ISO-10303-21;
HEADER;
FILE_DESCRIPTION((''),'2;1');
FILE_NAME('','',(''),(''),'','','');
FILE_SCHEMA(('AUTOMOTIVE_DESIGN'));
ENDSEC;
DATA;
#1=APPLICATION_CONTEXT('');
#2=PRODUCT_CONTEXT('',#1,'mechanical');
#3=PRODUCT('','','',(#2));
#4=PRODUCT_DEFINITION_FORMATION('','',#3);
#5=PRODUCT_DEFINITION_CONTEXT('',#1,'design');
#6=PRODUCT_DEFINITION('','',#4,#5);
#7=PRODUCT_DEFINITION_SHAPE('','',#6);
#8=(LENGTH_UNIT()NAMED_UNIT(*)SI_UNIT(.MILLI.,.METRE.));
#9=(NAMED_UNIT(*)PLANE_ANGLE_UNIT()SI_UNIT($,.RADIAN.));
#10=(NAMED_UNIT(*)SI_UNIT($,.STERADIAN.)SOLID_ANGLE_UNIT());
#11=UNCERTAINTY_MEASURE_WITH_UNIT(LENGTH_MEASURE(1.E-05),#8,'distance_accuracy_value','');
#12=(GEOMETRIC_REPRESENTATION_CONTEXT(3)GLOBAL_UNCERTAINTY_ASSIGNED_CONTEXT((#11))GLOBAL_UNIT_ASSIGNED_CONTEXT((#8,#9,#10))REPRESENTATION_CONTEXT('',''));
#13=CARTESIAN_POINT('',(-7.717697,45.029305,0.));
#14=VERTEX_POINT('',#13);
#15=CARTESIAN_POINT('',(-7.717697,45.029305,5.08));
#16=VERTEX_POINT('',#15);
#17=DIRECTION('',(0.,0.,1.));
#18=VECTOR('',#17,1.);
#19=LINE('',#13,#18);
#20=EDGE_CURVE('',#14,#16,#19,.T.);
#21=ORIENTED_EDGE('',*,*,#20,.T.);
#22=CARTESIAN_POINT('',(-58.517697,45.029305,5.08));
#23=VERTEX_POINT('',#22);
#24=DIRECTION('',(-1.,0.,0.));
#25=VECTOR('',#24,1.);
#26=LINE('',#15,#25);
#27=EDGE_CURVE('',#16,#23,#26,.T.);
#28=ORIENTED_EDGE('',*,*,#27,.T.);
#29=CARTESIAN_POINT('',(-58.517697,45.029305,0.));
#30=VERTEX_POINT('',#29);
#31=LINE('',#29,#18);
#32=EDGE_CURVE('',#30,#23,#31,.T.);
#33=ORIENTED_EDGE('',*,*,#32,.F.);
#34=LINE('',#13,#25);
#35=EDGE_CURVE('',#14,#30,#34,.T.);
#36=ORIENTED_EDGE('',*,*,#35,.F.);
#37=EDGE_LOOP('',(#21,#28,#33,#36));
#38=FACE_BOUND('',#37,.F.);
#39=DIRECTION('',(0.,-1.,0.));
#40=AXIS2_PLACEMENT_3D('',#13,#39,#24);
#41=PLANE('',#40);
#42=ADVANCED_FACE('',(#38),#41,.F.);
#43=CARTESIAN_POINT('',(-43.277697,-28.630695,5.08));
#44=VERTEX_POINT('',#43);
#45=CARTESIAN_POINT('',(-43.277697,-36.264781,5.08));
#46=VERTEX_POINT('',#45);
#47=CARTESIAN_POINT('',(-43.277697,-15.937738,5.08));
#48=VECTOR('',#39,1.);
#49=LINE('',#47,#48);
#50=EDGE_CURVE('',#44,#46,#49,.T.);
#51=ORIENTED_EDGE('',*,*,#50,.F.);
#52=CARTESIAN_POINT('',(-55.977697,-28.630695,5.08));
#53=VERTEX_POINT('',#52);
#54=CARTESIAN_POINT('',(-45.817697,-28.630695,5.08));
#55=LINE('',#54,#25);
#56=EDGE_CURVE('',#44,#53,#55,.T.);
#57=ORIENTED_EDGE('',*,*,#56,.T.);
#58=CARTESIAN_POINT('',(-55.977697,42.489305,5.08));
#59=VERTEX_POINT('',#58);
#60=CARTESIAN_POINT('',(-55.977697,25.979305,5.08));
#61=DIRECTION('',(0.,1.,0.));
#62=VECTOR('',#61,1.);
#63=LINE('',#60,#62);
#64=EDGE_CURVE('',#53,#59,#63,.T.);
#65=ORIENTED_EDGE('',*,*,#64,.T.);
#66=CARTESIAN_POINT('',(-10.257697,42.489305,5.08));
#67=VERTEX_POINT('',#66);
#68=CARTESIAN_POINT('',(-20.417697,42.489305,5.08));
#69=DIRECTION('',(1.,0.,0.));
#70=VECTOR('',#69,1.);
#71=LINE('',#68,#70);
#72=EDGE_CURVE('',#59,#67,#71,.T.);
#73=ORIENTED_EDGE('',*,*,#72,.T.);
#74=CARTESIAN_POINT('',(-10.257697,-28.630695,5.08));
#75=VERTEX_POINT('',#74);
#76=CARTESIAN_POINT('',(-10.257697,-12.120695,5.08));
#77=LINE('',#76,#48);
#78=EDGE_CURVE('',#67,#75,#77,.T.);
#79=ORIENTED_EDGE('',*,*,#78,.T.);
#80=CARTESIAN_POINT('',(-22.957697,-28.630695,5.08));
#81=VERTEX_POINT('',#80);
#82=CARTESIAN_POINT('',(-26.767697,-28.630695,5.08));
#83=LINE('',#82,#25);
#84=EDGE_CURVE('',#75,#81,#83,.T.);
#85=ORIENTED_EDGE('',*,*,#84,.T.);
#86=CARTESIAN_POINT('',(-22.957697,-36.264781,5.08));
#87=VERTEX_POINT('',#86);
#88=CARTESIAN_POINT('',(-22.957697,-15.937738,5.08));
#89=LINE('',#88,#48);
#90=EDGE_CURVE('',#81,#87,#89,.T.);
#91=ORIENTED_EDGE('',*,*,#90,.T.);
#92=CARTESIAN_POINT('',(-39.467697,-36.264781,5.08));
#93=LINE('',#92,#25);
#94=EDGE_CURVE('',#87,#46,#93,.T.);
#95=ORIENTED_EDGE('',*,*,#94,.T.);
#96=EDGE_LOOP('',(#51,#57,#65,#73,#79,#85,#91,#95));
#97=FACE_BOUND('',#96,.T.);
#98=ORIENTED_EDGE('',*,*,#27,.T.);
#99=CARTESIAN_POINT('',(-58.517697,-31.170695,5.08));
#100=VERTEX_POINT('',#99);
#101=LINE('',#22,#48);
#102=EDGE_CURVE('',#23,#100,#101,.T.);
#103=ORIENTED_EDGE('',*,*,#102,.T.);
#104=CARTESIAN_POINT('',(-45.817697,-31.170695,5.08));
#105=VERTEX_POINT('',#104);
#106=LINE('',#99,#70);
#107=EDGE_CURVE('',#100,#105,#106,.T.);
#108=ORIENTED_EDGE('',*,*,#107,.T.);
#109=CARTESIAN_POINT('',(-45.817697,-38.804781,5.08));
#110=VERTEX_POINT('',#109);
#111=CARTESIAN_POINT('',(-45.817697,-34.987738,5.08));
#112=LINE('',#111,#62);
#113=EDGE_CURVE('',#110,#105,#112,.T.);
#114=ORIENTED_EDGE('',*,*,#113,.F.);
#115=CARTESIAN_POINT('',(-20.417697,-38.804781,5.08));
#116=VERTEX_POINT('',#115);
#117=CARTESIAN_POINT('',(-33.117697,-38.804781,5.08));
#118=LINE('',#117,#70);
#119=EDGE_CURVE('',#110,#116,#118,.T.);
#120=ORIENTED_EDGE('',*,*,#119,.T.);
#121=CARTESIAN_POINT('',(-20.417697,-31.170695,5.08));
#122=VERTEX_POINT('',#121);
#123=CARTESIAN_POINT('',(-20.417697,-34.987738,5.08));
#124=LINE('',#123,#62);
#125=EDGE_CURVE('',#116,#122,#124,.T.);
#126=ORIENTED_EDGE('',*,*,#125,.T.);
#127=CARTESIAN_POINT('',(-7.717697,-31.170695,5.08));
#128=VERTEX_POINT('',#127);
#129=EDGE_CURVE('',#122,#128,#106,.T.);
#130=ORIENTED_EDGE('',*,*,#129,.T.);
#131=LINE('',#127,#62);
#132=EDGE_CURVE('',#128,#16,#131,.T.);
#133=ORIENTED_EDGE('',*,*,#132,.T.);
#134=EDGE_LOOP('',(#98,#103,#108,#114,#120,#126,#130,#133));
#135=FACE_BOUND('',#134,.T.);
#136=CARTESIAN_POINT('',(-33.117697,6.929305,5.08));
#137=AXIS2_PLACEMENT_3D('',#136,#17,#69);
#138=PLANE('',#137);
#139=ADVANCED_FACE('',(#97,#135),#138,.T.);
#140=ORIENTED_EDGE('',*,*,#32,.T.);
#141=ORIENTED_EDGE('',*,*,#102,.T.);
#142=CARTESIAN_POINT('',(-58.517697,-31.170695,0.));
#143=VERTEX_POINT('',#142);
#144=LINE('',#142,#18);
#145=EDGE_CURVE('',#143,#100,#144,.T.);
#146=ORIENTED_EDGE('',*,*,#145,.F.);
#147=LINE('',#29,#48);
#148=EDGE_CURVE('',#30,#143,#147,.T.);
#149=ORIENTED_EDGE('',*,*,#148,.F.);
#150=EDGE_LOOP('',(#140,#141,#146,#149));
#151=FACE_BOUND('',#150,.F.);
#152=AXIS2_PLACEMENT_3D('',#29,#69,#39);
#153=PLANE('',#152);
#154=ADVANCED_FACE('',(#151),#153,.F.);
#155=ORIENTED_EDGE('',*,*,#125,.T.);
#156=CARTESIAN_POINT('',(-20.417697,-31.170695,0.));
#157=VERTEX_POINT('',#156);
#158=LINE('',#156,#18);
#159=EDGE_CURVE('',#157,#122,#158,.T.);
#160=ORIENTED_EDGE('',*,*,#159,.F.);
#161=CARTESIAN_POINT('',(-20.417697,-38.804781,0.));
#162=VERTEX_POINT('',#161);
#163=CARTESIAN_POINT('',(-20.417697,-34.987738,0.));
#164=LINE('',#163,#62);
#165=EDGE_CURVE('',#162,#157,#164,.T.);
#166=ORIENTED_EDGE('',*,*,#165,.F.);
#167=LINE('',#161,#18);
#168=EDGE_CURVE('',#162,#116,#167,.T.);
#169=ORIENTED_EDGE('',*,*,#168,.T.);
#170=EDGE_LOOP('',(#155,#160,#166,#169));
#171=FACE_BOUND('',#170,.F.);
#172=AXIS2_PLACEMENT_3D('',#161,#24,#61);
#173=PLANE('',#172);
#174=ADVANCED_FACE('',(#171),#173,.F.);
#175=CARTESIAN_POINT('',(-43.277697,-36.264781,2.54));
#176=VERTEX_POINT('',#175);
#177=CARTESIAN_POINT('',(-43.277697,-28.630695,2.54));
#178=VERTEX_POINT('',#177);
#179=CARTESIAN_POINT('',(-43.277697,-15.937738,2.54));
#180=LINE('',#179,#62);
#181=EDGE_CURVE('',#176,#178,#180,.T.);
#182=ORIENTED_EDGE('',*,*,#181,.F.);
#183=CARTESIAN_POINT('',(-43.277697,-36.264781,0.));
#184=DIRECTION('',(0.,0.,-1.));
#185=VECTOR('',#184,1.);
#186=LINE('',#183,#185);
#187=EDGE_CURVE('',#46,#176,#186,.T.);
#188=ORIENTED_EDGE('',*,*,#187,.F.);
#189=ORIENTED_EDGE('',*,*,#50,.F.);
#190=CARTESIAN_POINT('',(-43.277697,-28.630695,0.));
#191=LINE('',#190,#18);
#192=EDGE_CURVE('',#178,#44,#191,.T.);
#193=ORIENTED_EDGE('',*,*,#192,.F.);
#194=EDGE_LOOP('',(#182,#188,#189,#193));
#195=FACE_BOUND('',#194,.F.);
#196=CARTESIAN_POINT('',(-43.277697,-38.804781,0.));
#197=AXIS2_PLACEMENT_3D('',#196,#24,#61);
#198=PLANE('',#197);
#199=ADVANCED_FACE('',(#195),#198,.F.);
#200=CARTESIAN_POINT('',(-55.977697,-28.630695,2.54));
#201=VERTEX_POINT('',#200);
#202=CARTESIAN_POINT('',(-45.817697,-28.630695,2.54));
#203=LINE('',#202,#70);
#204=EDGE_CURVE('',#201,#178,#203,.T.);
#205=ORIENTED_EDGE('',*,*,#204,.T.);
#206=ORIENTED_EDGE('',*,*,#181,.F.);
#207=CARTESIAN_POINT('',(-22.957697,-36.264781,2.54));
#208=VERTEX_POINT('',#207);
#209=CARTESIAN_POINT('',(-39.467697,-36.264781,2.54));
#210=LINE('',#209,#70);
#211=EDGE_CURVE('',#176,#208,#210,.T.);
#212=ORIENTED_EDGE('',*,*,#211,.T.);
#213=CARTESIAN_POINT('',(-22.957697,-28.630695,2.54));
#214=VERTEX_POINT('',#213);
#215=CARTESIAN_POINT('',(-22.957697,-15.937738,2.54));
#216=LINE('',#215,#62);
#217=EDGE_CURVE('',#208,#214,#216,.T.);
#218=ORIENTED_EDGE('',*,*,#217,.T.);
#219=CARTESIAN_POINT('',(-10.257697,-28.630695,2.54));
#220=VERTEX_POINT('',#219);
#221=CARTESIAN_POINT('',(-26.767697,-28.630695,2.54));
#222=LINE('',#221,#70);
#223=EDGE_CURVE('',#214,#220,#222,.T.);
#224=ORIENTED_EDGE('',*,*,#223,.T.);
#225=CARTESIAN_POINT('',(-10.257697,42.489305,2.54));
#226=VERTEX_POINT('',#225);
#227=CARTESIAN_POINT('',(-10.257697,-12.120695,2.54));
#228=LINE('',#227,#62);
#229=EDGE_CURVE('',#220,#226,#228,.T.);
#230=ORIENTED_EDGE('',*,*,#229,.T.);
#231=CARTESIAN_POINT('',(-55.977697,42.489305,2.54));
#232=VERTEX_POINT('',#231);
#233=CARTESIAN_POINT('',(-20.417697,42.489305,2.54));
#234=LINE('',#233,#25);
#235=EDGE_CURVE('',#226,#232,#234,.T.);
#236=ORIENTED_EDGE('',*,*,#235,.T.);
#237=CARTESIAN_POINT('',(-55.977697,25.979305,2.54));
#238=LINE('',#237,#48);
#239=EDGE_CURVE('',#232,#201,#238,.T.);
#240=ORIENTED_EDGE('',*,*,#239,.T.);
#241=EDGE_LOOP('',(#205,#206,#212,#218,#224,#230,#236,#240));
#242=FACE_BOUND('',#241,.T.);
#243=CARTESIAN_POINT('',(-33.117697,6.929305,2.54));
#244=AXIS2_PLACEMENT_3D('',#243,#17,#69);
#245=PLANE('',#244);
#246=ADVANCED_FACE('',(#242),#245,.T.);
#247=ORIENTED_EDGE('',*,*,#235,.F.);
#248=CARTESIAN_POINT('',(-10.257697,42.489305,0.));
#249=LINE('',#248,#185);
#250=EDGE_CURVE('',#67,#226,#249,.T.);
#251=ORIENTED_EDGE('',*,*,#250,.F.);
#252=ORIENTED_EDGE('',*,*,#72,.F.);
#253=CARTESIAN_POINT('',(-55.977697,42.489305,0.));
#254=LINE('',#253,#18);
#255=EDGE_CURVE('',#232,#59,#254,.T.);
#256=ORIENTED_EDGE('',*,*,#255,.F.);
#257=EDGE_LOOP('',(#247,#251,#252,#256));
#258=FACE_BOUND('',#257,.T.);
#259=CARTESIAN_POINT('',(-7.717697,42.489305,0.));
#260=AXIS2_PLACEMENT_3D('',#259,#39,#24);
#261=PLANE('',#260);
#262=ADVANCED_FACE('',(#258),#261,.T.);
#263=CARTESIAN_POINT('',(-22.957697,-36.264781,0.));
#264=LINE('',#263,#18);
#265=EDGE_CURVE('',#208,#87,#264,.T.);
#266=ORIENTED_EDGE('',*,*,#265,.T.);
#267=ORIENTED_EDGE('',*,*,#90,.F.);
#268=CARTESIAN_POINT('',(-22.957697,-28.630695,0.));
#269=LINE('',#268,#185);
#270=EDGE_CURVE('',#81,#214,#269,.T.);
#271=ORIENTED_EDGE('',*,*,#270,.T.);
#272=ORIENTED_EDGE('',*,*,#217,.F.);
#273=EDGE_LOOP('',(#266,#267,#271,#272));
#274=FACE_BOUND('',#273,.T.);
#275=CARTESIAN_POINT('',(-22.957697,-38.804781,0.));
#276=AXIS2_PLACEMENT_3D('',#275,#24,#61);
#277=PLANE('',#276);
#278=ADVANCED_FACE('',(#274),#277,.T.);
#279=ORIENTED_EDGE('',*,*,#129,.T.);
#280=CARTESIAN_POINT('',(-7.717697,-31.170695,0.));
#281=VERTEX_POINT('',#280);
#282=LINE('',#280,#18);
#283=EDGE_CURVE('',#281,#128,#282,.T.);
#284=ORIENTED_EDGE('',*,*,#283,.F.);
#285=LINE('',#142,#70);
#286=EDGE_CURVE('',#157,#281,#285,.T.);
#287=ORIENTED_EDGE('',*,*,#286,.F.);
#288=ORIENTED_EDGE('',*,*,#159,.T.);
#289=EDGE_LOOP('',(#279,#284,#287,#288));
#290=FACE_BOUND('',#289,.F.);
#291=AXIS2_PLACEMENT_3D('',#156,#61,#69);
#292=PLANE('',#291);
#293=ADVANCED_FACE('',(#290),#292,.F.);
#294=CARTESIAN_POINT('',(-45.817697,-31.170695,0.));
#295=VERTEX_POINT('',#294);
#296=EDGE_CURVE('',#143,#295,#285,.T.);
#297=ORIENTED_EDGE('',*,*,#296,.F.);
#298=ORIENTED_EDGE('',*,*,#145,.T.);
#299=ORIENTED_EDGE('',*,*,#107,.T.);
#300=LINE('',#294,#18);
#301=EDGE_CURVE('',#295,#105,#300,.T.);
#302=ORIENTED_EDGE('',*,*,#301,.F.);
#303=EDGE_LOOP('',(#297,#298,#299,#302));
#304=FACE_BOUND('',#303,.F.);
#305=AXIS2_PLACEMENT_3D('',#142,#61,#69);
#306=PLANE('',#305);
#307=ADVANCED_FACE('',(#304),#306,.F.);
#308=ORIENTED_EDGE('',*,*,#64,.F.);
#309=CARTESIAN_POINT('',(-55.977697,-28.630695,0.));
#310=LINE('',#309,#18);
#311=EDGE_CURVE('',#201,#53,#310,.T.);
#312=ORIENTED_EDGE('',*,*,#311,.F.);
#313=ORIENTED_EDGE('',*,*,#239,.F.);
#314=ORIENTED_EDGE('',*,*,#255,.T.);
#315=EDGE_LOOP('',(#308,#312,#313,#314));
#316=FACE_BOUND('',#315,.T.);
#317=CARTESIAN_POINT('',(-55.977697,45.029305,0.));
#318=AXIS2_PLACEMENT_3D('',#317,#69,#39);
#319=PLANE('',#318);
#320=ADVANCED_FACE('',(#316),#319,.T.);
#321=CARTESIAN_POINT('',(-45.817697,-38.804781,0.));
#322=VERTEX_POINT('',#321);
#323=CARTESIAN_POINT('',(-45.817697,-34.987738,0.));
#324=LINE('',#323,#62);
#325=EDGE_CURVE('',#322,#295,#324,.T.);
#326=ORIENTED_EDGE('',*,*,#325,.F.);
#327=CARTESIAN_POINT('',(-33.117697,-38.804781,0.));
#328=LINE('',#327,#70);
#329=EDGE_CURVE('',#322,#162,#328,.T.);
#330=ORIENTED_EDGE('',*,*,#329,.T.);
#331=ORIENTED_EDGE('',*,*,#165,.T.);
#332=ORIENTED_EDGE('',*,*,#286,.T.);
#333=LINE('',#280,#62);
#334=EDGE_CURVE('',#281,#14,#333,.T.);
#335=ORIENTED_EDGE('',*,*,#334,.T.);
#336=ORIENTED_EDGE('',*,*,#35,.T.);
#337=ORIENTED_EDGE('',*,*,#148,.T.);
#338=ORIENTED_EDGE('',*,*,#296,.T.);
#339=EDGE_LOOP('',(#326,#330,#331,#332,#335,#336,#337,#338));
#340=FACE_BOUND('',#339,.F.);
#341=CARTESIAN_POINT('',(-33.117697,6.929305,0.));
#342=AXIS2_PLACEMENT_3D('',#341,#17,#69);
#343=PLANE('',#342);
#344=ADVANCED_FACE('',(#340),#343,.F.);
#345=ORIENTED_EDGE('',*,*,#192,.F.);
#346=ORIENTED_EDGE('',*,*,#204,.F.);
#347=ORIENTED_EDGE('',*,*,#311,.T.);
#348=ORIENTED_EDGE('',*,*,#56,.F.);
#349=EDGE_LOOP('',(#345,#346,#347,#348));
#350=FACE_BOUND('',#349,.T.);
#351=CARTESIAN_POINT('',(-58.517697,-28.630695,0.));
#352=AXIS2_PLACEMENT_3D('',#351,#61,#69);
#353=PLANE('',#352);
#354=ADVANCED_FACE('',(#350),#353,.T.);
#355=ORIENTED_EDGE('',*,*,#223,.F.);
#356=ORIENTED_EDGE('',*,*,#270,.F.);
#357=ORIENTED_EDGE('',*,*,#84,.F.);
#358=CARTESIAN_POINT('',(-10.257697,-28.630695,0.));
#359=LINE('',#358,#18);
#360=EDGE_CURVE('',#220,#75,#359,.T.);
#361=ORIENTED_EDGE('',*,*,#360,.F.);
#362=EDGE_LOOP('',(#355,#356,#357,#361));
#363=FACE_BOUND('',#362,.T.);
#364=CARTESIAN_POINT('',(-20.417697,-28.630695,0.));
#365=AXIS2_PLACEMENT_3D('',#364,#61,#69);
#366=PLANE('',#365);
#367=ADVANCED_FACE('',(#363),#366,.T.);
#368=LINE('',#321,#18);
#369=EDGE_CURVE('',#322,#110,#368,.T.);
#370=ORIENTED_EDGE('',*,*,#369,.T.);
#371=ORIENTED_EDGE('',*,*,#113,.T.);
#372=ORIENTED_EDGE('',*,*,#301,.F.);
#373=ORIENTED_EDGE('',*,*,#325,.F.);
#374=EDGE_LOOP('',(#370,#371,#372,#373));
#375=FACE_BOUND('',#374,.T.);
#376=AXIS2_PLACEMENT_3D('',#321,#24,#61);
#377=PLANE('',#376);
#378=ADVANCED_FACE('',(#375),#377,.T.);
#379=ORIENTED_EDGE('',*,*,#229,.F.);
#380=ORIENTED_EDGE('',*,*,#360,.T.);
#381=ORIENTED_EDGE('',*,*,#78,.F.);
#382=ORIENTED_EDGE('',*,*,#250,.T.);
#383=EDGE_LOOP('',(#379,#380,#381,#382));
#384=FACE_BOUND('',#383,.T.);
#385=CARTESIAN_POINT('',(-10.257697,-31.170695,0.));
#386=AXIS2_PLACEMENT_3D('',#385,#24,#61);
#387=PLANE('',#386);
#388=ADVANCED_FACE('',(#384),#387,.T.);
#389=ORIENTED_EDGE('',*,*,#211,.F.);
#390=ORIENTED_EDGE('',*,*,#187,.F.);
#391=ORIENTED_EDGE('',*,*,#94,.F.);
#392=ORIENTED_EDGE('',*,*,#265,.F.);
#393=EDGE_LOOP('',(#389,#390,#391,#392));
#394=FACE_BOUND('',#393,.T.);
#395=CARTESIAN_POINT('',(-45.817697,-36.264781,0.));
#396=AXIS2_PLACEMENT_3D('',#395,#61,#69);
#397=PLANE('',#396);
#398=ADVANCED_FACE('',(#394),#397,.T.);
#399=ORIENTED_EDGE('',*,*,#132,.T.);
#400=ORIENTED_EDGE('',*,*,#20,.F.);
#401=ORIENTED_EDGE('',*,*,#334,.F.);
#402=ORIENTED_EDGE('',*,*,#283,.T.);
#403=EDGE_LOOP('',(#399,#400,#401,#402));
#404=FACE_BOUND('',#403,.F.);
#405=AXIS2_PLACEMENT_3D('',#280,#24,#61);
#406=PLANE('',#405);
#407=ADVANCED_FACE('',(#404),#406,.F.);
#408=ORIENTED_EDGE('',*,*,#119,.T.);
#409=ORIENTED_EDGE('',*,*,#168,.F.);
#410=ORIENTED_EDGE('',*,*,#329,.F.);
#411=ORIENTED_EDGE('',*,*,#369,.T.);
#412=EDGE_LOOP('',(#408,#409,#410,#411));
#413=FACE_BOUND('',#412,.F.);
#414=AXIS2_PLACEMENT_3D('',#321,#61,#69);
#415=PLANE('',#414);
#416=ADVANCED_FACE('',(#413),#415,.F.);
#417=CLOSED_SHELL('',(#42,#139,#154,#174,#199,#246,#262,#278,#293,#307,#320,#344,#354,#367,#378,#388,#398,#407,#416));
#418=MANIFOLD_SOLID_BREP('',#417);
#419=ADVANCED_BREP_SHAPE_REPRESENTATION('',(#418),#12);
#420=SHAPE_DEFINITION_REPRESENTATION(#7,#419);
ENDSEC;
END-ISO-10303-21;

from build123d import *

# Parameters (mm, degrees)
F0_W     = 25.4
F0_H     = 7.634085685
F1_DEPTH = 5.08
F2_T     = -2.54


with BuildPart() as f1:
    # F0 (on Top) → F1 (new body)
    with BuildSketch(Plane.XY):
        Polygon((-7.7176965407, 45.0293049932), (-58.5176965407, 45.0293049932), (-58.5176965407, -31.1706950068), (-45.8176965407, -31.1706950068), (-20.4176965407, -31.1706950068), (-7.7176965407, -31.1706950068), align=None)
        with Locations((-33.1176965407, -34.9877378494)):
            Rectangle(F0_W, F0_H)
    extrude(amount=F1_DEPTH)

    # F2
    f2_openings = [f1.faces().sort_by_distance(p)[0] for p in [
        (-33.117697, 4.929742, 5.08),
    ]]
    offset(amount=F2_T, openings=f2_openings, kind=Kind.INTERSECTION)


solid = f1.part
